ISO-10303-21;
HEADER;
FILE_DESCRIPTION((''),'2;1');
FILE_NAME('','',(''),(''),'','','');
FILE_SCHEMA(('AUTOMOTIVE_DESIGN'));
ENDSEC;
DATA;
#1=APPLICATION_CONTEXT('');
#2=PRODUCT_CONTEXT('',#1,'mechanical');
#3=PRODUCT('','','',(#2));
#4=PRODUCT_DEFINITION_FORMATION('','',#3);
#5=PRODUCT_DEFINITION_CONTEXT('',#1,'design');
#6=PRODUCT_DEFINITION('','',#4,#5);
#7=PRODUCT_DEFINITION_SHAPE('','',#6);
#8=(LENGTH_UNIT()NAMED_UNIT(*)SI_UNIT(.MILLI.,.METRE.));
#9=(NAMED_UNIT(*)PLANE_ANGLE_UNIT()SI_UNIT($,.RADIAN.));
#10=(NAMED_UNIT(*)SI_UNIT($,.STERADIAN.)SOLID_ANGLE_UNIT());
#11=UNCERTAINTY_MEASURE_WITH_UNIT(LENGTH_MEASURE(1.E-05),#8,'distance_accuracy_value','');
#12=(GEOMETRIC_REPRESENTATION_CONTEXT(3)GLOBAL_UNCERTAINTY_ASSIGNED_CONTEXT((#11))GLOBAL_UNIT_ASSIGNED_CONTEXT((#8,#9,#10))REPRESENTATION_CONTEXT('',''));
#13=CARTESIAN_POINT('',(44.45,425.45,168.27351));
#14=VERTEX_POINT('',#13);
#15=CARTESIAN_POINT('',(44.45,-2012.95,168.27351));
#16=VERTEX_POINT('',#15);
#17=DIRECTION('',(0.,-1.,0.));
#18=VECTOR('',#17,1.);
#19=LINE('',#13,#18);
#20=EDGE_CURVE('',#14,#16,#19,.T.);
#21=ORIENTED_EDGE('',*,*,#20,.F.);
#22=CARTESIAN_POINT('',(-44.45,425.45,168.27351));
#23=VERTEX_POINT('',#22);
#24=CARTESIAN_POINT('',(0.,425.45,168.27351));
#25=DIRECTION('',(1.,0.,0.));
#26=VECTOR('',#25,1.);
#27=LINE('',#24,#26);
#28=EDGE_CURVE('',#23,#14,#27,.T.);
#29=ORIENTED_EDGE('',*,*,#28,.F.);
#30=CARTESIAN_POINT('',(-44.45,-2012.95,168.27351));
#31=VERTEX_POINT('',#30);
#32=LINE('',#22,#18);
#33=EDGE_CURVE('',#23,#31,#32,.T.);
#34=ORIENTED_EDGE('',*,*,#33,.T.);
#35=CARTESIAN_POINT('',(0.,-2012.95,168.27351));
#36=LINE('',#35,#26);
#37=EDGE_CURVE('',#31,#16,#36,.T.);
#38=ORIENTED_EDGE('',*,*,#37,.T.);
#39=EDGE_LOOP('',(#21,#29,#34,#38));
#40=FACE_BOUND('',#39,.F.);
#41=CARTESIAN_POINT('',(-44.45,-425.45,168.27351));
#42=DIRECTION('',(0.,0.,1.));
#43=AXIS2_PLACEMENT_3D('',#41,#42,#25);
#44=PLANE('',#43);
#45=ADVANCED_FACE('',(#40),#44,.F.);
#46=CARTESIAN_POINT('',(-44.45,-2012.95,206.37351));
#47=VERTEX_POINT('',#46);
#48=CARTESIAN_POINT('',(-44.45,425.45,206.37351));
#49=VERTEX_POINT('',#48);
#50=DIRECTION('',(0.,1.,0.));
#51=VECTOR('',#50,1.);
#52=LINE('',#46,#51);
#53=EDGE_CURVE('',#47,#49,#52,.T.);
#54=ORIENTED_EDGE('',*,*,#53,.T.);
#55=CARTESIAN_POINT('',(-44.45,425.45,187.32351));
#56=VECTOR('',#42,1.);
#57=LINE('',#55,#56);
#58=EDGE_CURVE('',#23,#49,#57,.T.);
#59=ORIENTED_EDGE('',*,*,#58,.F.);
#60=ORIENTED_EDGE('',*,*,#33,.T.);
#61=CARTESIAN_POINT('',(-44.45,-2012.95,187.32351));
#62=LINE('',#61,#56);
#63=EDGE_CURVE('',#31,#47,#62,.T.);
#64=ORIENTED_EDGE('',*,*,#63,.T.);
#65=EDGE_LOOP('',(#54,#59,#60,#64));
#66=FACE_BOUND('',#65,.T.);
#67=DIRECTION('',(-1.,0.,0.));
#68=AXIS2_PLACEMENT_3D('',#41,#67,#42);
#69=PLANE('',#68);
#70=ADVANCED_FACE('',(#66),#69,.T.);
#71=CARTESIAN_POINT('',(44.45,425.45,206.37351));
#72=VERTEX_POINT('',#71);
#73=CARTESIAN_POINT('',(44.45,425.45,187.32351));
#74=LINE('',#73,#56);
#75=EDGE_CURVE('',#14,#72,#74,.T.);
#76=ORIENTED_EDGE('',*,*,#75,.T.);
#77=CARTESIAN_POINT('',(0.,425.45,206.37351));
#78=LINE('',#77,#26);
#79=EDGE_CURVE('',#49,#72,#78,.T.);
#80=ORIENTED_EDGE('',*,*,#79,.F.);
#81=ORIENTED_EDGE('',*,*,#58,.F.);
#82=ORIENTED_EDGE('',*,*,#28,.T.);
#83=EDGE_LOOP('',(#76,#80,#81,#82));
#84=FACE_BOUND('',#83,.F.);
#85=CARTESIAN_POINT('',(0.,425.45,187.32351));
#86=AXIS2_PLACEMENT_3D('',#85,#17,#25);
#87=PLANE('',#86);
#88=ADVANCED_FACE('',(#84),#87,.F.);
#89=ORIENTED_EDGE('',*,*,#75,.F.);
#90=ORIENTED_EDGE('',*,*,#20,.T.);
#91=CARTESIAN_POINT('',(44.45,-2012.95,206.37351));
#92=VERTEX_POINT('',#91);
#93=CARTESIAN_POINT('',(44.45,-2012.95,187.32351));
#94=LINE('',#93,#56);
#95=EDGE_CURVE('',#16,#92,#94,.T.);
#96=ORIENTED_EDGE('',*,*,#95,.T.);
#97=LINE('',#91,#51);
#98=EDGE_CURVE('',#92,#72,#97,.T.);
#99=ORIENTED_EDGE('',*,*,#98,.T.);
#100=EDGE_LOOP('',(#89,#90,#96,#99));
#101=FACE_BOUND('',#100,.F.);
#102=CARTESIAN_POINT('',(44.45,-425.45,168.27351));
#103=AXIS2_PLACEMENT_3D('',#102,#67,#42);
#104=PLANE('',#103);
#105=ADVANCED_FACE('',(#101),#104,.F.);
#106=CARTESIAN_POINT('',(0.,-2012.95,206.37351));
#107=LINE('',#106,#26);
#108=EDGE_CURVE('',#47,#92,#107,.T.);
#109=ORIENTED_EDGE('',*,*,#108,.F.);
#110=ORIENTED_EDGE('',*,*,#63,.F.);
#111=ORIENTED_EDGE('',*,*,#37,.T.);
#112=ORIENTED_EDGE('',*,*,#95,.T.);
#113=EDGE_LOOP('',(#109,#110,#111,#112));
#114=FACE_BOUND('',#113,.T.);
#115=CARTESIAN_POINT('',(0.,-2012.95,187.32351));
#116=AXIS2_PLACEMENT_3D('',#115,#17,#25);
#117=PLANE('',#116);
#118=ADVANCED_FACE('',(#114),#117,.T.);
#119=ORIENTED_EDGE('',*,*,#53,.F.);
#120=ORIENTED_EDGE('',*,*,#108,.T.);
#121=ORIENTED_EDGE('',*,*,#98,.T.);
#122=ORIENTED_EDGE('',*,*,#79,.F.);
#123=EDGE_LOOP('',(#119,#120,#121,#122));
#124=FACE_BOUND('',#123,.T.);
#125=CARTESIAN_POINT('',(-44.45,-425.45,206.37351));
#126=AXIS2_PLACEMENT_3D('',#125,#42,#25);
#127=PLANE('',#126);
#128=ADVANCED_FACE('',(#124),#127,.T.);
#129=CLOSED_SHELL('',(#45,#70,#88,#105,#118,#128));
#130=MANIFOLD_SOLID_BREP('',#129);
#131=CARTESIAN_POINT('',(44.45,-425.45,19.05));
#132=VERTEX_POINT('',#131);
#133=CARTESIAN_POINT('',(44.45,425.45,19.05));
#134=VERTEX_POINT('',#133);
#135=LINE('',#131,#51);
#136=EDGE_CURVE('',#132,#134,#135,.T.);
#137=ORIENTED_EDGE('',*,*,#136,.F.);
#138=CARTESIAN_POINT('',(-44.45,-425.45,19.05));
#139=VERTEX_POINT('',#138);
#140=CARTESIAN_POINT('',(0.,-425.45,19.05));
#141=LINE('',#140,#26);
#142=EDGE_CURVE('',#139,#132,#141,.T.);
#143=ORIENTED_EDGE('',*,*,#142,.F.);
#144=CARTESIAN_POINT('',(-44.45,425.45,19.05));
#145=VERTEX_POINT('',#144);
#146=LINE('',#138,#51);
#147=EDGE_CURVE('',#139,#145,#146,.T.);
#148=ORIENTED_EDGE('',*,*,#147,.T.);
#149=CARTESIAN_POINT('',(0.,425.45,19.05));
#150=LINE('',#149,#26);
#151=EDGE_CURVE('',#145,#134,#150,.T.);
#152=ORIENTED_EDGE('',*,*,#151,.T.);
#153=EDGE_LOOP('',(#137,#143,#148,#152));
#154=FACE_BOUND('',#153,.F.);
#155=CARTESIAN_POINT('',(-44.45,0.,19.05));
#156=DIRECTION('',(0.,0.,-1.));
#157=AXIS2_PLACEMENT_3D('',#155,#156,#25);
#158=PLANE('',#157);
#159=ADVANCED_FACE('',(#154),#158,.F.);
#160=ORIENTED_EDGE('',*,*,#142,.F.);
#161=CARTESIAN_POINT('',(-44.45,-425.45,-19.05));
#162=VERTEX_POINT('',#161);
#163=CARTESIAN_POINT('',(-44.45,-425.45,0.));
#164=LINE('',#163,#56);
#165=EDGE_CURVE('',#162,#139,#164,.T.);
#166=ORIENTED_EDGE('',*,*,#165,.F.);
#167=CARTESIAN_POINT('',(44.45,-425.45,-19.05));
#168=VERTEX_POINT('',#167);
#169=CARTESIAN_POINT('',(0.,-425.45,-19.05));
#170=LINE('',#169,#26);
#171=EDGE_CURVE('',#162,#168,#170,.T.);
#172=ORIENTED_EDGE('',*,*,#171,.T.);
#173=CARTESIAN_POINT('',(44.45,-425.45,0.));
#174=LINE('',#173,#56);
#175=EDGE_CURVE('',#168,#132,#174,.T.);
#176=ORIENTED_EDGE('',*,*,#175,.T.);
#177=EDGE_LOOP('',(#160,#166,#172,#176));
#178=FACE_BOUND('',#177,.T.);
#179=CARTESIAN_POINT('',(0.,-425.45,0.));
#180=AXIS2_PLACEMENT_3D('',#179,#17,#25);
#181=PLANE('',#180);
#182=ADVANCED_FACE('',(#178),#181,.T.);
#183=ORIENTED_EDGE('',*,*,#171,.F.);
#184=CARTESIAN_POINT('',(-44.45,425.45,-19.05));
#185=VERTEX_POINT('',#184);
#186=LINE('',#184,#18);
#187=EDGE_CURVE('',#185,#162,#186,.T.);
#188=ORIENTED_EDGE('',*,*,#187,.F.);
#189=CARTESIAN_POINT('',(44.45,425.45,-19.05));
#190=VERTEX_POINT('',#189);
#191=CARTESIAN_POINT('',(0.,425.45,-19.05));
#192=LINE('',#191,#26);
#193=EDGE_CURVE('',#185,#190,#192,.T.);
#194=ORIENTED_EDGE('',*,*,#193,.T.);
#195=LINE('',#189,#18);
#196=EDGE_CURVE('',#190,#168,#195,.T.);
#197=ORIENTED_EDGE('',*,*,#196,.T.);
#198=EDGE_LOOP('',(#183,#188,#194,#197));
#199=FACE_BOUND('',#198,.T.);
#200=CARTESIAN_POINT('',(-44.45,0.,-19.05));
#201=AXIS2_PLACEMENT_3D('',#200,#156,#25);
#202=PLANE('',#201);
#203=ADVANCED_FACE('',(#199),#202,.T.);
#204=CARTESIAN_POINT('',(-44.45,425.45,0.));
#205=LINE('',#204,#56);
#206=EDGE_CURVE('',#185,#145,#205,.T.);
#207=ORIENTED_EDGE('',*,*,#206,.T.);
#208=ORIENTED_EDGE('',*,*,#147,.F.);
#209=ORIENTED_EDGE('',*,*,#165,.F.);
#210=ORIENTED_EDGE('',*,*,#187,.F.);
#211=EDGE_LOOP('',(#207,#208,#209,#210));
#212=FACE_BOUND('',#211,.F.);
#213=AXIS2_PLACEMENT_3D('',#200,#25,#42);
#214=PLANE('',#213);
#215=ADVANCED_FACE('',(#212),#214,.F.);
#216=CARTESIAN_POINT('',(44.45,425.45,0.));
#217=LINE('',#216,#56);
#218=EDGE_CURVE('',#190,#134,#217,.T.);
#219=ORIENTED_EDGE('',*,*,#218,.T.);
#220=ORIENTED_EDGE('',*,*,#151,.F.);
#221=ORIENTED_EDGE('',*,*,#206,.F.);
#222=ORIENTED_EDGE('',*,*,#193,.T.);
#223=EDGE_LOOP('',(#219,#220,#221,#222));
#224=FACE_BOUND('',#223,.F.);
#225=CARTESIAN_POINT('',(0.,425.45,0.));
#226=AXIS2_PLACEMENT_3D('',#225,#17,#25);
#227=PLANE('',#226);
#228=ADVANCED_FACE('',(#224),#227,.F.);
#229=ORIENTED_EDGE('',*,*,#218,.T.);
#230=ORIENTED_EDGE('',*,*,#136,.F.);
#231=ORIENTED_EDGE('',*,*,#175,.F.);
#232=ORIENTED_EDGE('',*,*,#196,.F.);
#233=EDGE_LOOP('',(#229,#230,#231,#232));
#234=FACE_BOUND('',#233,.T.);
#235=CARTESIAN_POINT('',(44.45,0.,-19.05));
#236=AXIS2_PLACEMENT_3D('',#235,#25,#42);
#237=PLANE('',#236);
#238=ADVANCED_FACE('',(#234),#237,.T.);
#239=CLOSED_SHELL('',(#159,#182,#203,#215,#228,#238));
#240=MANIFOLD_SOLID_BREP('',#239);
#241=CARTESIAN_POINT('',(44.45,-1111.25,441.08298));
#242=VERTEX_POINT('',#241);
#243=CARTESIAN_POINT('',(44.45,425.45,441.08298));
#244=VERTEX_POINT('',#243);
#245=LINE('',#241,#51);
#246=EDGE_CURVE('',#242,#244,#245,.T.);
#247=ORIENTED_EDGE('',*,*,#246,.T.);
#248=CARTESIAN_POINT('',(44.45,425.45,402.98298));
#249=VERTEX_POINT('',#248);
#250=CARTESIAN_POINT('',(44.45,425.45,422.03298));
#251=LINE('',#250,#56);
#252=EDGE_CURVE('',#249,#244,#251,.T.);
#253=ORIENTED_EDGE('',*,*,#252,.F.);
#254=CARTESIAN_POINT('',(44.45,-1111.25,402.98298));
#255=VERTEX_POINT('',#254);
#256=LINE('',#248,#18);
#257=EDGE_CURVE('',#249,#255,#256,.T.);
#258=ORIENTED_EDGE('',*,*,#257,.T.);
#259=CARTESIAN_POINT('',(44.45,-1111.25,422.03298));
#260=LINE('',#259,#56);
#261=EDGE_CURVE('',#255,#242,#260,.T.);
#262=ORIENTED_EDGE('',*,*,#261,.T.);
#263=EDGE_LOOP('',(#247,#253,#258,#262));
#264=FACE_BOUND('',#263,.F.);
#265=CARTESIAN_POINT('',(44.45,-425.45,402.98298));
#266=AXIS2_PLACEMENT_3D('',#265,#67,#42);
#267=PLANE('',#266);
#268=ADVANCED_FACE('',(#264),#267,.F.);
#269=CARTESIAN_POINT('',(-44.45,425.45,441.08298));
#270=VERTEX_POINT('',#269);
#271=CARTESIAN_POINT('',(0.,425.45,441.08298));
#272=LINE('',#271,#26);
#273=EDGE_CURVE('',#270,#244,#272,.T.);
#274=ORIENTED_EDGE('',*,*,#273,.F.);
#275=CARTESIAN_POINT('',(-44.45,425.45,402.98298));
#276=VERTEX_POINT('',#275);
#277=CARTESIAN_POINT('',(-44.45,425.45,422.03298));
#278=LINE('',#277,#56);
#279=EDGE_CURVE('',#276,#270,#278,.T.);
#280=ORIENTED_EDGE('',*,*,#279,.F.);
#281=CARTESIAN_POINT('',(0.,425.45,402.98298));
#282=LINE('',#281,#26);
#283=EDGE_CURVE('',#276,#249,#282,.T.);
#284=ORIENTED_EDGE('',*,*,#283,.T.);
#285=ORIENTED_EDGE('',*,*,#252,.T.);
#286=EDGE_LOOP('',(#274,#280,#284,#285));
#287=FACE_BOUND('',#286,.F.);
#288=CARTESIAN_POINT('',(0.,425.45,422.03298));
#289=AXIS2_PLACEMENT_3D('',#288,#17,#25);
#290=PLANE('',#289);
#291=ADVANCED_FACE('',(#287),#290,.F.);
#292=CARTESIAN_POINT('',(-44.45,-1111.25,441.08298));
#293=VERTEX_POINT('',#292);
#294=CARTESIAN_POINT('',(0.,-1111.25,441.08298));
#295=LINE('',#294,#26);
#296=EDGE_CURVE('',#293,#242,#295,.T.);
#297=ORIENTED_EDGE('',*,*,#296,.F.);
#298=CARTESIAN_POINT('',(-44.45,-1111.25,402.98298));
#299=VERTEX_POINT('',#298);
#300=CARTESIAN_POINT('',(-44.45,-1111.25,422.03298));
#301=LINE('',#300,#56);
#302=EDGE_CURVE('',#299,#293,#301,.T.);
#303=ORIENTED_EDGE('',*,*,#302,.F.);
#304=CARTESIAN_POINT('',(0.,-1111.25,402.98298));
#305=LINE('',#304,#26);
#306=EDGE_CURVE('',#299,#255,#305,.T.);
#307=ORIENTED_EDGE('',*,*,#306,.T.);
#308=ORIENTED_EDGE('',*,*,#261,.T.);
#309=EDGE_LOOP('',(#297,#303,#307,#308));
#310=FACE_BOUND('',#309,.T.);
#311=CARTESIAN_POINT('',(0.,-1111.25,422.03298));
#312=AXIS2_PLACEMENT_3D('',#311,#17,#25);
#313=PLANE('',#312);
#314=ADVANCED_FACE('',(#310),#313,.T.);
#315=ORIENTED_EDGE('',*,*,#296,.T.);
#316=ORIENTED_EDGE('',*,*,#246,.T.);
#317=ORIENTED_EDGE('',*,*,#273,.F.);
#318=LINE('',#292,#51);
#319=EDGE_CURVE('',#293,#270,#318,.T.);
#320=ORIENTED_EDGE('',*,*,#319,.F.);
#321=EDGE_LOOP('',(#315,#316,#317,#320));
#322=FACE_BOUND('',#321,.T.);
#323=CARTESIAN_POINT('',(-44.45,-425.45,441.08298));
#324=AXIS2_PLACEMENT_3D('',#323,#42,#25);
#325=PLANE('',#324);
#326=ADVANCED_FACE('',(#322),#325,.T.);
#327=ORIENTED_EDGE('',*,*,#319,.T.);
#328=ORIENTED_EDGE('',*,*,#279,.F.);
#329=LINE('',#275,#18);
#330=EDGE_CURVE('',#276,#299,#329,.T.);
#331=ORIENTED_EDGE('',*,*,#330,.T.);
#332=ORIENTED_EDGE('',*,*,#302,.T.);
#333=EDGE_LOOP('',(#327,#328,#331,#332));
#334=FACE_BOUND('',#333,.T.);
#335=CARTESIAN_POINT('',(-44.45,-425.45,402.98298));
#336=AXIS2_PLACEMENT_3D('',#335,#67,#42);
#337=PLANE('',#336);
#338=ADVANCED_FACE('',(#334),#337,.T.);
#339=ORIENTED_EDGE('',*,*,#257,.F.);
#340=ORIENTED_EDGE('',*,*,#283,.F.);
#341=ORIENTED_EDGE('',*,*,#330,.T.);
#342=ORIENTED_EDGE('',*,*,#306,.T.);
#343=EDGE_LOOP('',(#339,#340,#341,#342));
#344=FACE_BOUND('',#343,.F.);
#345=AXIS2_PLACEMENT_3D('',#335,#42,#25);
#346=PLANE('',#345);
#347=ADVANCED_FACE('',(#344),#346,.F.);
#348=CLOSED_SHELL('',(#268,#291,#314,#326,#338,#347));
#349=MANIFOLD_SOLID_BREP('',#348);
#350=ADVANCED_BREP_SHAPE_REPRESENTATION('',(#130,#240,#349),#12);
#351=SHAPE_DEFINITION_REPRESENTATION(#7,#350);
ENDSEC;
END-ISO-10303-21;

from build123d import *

# Parameters (mm, degrees)
F0_W     = 88.9
F0_H     = 38.1
F1_DEPTH = 425.45
F3_DEPTH = 1587.5
F5_DEPTH = 685.8


with BuildPart() as f1:
    # F0 (on Front) → F1 (new body, symmetric)
    with BuildSketch(Plane.XZ):
        Rectangle(F0_W, F0_H)
    extrude(amount=F1_DEPTH, both=True)


with BuildPart() as f2_1:
    # F2: copy of F1
    add(f1.part.moved(Location((0, 0, 187.32351))))

    # F3 (add): a face of the model
    f3_faces = [f2_1.faces().sort_by_distance(p)[0] for p in [
        (0, -425.45, 187.32351),
    ]]
    extrude(f3_faces, amount=F3_DEPTH)


with BuildPart() as f4_1:
    # F4: copy of F1
    add(f1.part.moved(Location((0, 0, 422.03298))))

    # F5 (add): a face of the model
    f5_faces = [f4_1.faces().sort_by_distance(p)[0] for p in [
        (0, -425.45, 422.03298),
    ]]
    extrude(f5_faces, amount=F5_DEPTH)


solid = Compound([f1.part, f2_1.part, f4_1.part])
